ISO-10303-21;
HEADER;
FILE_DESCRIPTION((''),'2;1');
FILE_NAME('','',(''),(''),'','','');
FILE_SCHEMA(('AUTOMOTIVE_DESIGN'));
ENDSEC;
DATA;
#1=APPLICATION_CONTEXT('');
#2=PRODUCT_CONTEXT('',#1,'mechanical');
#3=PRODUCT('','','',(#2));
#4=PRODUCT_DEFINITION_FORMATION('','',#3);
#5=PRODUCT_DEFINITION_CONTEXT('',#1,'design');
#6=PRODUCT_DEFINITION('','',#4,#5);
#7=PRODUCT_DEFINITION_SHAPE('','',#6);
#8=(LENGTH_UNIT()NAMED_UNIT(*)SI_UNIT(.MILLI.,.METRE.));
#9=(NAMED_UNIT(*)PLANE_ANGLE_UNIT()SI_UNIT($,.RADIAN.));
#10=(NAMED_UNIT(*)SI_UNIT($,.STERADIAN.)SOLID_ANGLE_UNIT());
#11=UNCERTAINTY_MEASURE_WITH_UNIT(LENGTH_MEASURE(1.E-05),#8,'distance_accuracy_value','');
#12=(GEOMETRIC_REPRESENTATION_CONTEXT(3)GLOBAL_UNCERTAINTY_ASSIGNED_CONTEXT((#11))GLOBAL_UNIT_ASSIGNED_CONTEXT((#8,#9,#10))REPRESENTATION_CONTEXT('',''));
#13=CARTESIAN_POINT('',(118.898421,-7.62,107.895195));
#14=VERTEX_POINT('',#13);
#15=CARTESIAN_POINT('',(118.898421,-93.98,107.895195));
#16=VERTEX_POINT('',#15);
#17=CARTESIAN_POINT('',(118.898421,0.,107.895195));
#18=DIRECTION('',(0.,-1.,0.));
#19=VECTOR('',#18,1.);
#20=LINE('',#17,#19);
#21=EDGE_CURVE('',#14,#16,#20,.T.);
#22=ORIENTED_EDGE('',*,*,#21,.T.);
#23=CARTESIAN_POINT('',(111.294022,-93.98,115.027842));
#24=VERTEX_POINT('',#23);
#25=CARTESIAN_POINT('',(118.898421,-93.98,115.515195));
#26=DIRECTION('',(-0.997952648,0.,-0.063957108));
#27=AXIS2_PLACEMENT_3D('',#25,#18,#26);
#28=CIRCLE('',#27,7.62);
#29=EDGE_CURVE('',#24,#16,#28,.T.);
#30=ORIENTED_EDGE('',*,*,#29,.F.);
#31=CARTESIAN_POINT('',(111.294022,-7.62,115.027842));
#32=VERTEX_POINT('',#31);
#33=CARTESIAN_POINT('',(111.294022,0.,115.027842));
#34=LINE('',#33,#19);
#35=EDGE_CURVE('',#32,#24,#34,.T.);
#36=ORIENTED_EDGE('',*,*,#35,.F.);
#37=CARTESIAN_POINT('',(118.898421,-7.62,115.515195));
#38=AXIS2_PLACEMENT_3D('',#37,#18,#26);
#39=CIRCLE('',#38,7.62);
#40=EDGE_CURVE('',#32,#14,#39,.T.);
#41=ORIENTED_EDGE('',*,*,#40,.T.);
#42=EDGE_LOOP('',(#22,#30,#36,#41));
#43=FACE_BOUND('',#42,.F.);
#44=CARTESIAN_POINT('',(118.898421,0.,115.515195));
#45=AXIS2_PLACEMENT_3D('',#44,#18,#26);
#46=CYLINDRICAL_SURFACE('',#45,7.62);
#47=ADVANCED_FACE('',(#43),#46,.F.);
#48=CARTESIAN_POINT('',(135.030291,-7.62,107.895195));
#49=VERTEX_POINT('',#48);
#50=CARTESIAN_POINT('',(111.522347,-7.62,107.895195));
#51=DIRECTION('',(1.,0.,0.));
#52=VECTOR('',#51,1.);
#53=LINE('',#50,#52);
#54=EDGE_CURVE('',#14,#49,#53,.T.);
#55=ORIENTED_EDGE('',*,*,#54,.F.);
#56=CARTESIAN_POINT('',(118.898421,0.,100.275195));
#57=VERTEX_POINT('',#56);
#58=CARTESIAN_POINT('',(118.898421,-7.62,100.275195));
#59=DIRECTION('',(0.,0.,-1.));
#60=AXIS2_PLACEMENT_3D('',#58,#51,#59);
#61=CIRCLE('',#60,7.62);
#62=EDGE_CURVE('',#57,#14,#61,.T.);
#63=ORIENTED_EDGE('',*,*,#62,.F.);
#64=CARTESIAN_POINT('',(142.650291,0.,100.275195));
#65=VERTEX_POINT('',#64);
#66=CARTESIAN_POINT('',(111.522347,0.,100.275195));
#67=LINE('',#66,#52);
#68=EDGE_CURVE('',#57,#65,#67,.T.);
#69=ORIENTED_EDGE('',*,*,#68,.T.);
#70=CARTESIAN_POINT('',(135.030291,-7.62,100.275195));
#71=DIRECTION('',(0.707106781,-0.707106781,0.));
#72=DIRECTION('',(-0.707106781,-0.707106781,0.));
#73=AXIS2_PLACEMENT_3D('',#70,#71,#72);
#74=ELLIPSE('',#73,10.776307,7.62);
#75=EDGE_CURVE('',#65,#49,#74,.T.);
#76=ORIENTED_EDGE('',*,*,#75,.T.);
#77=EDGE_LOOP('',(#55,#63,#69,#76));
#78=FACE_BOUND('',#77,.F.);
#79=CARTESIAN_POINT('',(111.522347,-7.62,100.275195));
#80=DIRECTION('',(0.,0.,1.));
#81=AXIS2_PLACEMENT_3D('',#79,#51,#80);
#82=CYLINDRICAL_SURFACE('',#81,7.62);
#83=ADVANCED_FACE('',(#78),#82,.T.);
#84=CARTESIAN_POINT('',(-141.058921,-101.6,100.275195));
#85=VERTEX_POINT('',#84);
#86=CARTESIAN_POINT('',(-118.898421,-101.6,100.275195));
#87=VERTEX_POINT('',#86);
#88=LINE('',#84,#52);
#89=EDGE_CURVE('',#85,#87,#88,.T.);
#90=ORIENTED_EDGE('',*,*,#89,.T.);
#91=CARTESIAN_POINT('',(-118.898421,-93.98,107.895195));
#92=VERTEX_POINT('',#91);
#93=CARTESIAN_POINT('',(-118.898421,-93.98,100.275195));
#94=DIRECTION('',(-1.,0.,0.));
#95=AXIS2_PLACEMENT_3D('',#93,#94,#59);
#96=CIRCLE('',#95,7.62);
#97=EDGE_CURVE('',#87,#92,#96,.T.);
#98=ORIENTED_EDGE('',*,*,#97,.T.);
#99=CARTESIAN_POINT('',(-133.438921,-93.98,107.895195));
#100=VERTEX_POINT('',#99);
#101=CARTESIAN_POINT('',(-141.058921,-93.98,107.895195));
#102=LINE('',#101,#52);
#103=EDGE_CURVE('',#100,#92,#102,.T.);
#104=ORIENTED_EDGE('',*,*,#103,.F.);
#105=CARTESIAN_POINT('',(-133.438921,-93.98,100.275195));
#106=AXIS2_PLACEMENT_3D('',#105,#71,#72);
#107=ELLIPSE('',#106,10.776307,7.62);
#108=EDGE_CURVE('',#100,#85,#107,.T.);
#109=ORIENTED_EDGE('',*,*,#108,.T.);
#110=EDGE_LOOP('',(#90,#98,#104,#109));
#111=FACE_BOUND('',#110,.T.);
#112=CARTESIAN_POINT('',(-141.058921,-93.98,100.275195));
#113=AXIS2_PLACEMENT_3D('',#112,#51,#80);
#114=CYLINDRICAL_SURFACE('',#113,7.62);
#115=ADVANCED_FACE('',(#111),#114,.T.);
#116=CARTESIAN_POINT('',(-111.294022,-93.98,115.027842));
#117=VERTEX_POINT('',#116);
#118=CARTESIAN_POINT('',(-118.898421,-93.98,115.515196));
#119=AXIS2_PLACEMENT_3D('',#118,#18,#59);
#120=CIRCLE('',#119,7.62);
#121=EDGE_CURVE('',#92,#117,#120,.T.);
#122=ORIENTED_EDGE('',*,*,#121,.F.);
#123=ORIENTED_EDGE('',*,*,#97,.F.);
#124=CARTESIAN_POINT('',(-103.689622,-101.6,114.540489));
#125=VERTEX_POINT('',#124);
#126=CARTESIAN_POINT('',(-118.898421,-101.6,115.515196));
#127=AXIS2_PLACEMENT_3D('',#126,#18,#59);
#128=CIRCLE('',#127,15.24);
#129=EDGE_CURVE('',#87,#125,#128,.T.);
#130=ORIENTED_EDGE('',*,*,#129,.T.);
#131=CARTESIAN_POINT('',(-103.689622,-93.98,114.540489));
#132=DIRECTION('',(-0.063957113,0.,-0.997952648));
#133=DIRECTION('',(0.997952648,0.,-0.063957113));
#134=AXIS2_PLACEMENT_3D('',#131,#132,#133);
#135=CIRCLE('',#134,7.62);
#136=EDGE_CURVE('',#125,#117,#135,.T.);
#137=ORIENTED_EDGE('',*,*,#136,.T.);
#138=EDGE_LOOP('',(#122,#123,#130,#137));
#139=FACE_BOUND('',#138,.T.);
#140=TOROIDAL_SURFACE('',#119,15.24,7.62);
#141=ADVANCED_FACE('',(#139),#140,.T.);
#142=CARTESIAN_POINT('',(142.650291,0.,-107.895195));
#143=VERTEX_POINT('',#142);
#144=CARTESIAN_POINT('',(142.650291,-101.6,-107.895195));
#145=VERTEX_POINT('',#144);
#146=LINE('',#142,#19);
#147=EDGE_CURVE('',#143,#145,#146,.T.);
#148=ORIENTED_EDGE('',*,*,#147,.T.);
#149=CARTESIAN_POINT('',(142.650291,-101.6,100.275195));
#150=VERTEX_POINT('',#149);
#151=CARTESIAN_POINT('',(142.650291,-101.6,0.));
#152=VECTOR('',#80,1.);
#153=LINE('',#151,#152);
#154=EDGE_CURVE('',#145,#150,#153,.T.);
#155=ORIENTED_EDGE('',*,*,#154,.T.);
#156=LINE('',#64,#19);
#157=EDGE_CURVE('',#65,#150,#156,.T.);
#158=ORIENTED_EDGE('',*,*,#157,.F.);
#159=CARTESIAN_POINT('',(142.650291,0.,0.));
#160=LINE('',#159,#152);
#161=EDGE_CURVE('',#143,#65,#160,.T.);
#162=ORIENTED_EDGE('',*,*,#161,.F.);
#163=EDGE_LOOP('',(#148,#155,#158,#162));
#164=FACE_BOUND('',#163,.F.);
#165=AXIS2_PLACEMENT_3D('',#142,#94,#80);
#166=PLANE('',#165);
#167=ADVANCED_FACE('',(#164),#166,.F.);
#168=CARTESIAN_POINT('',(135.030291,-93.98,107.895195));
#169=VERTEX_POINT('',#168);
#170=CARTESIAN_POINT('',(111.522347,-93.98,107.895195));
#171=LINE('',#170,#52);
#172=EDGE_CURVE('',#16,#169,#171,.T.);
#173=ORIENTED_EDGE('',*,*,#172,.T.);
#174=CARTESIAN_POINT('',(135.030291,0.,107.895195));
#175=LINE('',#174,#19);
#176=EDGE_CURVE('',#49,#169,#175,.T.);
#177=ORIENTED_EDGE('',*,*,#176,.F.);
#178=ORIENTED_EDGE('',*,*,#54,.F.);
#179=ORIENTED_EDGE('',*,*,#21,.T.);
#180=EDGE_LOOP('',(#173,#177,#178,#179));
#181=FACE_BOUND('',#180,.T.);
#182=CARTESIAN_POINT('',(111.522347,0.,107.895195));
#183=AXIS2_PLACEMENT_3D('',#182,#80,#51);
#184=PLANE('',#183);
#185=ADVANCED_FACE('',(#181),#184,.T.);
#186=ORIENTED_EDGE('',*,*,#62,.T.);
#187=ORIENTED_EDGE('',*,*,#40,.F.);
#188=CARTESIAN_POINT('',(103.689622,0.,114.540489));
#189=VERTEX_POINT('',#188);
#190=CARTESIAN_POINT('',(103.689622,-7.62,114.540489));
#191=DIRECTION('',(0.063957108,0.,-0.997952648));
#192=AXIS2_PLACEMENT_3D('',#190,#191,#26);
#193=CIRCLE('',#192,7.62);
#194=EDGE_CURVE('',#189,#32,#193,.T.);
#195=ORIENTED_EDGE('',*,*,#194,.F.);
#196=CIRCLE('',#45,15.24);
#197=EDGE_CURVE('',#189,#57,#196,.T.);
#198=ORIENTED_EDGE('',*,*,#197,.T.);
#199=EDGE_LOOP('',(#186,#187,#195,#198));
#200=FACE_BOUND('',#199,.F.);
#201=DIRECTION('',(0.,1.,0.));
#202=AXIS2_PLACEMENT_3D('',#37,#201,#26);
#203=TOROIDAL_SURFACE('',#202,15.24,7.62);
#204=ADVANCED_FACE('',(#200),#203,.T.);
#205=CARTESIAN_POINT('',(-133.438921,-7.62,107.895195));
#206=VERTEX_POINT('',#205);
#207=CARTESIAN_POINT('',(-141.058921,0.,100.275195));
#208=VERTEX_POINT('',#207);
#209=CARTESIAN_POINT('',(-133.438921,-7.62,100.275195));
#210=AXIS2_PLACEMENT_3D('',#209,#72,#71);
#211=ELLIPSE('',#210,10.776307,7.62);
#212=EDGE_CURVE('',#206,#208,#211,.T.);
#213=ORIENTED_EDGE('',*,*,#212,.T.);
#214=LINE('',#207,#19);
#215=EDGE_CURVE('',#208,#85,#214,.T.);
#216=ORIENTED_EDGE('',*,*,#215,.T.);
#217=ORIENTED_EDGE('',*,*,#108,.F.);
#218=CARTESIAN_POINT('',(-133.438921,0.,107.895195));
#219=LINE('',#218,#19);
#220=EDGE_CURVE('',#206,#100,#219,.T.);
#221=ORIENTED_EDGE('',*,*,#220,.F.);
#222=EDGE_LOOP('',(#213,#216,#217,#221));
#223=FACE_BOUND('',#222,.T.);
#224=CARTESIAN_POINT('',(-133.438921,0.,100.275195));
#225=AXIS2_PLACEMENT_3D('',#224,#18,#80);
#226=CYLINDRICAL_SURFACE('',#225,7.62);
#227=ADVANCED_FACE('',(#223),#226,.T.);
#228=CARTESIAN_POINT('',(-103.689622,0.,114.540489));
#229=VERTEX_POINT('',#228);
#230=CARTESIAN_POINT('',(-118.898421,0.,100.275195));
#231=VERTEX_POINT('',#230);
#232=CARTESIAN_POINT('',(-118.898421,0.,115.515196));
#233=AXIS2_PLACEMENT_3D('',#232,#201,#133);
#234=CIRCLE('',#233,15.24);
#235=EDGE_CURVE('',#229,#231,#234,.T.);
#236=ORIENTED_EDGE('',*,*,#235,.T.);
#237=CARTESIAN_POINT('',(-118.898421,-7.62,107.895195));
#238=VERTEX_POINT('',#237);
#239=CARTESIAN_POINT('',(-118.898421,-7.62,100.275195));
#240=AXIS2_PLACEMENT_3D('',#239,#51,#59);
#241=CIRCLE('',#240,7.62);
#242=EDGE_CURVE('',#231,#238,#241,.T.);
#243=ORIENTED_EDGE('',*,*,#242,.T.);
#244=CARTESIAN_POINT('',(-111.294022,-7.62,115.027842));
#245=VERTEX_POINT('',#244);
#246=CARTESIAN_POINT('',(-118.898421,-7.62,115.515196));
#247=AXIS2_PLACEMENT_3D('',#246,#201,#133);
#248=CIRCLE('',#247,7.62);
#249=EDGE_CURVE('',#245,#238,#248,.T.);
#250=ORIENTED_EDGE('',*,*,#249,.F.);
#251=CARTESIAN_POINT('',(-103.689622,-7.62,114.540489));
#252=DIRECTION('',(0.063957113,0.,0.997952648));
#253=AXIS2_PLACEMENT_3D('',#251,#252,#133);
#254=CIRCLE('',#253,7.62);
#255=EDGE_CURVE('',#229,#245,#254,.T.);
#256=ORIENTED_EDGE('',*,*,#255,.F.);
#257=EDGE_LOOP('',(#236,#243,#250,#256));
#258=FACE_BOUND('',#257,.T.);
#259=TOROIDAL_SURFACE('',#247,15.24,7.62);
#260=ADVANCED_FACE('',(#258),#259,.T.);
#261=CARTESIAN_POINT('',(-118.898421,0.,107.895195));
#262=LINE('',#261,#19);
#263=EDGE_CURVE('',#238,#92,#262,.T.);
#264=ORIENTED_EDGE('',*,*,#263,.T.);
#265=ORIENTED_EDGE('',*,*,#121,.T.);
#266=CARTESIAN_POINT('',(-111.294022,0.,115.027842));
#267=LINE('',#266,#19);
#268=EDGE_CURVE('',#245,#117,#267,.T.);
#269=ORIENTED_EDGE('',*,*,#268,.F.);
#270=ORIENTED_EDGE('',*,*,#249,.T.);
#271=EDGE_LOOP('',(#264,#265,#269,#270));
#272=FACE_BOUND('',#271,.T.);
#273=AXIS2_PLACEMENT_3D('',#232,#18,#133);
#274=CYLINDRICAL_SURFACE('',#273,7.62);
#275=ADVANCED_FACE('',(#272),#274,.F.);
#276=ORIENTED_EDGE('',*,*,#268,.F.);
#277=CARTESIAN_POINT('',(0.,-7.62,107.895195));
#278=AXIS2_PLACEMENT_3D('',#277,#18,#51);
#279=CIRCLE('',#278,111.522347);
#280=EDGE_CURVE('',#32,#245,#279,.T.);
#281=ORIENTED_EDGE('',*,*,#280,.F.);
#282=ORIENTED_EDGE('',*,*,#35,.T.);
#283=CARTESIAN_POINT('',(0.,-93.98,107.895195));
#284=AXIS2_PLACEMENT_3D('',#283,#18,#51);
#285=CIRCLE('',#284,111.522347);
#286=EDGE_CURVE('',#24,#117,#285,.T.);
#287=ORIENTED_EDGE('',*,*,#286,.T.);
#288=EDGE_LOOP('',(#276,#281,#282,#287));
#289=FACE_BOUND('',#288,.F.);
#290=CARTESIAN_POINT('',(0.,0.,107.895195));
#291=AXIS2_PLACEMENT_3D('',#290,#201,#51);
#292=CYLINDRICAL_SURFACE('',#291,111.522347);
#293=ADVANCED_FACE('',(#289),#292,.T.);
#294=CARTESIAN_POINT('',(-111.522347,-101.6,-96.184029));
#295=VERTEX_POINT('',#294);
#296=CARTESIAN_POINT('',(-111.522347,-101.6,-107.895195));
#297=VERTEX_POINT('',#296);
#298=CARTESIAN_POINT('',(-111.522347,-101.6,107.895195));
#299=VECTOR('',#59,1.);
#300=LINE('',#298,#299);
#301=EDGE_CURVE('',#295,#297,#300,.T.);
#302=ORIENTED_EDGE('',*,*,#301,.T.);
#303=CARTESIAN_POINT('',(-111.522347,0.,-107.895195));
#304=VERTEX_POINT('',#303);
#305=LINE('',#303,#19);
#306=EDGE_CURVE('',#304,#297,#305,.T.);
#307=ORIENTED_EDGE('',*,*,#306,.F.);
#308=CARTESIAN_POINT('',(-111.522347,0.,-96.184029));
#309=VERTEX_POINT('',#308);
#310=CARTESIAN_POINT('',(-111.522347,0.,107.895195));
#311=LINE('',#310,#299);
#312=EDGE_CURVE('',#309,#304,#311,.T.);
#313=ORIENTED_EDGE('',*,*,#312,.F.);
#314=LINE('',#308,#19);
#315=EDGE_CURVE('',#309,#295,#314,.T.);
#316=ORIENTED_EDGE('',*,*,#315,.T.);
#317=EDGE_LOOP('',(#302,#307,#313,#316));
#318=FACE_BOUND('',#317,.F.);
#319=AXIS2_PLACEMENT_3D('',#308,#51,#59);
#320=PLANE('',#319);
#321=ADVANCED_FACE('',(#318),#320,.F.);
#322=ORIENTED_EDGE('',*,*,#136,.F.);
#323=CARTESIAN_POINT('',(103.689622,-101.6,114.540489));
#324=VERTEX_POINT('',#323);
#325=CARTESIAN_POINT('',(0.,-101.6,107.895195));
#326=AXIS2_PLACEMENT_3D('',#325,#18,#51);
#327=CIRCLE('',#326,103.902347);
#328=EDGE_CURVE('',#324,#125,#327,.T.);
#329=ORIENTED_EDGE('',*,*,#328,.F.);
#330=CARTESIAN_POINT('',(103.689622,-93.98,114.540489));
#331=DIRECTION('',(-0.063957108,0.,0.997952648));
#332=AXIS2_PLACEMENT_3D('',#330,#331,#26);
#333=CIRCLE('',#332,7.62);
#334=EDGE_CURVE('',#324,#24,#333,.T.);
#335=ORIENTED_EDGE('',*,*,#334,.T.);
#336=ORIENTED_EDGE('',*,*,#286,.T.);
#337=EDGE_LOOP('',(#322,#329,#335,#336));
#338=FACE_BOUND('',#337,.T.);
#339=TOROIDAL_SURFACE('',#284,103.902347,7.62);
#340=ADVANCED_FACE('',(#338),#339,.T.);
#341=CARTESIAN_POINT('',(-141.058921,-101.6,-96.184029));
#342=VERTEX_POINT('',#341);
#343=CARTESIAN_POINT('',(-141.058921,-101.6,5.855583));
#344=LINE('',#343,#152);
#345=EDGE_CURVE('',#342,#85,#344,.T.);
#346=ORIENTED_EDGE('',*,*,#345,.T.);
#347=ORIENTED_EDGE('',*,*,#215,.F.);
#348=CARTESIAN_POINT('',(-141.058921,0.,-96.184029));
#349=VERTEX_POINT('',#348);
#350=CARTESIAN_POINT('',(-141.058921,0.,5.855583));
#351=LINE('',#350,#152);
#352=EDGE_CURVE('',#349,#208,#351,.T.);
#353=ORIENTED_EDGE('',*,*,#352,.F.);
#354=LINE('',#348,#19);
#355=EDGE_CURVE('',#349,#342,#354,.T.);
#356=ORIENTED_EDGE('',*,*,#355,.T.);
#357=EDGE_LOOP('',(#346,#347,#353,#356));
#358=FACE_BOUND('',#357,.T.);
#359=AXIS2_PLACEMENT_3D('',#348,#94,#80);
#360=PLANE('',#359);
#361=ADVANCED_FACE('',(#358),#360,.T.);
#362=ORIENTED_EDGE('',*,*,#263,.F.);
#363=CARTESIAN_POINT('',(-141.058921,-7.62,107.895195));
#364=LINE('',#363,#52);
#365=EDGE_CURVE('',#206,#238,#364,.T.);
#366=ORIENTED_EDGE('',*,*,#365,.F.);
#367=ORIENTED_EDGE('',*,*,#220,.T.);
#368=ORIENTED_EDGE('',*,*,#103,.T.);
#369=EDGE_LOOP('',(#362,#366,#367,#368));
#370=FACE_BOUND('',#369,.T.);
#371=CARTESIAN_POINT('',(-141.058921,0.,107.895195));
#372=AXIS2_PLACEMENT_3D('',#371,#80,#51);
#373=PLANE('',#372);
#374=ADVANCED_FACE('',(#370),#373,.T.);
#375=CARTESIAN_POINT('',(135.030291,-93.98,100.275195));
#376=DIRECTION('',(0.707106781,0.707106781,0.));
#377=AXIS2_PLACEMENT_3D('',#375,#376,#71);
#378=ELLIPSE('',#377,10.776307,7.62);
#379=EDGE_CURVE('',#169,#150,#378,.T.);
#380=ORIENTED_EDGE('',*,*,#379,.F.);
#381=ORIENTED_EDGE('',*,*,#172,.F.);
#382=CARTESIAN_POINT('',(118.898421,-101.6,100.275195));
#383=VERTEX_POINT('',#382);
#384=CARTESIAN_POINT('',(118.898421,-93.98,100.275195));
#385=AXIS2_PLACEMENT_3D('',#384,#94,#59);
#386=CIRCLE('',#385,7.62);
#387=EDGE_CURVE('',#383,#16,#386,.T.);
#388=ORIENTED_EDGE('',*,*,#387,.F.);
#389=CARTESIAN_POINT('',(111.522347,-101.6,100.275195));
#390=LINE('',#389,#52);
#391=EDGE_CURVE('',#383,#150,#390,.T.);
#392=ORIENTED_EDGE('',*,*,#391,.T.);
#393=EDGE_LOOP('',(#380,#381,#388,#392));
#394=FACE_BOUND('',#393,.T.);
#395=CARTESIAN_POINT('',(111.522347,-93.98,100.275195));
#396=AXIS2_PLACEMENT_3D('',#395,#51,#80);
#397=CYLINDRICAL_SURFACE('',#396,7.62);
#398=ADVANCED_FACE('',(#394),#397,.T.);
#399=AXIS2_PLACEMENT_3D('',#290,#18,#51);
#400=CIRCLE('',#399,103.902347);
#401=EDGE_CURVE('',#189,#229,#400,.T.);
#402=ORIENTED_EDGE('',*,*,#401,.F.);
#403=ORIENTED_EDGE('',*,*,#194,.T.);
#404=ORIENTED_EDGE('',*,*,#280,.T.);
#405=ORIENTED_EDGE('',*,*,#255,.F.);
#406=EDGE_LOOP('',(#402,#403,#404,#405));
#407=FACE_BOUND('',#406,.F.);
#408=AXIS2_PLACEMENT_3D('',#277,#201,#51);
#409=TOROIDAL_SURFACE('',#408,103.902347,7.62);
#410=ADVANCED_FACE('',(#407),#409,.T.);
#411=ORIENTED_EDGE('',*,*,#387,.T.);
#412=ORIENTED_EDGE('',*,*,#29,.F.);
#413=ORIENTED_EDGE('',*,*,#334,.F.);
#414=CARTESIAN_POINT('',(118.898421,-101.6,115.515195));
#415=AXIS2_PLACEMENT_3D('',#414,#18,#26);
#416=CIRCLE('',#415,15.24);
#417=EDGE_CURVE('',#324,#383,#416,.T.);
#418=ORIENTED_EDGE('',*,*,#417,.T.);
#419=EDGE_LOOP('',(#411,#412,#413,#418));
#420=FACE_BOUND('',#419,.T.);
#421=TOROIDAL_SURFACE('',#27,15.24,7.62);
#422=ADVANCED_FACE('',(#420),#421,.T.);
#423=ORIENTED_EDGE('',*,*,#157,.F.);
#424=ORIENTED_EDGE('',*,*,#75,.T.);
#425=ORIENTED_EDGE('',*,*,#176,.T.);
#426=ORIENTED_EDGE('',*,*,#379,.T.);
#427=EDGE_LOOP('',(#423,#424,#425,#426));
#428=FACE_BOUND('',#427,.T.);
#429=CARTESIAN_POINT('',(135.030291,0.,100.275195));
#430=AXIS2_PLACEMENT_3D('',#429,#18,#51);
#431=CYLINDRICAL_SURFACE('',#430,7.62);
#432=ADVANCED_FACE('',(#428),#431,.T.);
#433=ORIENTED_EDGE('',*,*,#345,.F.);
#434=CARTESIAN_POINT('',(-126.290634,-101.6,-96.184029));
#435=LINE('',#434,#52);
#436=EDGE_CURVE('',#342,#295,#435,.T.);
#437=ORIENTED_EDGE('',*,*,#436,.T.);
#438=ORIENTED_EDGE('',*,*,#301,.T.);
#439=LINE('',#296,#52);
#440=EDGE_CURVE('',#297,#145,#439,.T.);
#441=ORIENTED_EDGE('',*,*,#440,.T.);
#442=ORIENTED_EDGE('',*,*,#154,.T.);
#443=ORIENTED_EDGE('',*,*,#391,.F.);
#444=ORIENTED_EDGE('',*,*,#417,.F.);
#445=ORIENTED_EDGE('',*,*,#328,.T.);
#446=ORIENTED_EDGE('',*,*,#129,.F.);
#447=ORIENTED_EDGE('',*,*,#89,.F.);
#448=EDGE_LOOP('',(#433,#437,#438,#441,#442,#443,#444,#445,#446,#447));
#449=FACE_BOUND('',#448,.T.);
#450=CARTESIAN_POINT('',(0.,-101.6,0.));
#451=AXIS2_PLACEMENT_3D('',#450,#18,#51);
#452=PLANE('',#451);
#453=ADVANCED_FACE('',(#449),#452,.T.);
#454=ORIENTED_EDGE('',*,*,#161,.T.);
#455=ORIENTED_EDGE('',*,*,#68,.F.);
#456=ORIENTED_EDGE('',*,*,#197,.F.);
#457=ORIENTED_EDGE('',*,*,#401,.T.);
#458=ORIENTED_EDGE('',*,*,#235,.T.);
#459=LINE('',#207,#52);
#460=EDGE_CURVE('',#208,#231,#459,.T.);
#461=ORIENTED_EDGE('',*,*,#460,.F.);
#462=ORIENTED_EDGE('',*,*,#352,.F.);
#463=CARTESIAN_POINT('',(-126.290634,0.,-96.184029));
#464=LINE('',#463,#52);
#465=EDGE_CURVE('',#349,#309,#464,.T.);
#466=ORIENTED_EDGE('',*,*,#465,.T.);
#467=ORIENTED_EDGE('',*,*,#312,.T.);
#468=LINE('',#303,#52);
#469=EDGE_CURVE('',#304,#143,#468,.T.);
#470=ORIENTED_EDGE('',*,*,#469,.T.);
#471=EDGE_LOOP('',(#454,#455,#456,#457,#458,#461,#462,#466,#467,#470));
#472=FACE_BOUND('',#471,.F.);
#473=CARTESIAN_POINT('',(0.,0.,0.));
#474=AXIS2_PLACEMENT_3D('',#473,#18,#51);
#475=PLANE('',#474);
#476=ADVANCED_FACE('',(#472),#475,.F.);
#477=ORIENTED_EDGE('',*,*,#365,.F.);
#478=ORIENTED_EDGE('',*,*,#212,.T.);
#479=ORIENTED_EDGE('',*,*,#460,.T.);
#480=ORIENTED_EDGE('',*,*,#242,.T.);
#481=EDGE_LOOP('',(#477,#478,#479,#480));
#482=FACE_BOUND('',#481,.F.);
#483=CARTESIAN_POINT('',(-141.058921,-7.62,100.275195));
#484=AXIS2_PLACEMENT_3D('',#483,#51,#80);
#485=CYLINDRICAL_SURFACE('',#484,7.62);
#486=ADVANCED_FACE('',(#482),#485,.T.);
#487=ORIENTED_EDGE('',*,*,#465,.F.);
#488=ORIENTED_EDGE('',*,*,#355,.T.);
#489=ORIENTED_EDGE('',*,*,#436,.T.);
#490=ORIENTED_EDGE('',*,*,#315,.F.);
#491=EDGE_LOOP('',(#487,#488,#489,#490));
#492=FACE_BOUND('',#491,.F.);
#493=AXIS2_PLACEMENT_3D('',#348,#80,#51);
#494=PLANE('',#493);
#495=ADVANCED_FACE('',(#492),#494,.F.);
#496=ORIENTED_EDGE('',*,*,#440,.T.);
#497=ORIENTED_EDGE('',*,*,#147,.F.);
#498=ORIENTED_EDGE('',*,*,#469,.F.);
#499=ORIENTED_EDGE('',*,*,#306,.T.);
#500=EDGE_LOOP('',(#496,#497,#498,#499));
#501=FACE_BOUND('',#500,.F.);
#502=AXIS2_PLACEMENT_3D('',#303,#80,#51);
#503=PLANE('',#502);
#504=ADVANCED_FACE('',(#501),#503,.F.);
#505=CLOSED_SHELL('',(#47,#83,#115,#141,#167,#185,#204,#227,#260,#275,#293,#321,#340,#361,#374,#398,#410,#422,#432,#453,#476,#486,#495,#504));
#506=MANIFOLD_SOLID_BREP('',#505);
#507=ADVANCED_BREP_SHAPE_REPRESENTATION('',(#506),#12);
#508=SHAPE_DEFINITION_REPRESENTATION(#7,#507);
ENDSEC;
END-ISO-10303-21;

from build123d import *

# Parameters (mm, degrees)
F0_W     = 29.536575
F0_H     = 204.079225
F0_W_2   = 31.127944
F0_H_2   = 215.79039
F1_DEPTH = 101.6
F2_R     = 7.62


with BuildPart() as f1:
    # F0 (on Front) → F1 (new body)
    with BuildSketch(Plane.XZ):
        Polygon((111.522347, 107.895195), (-111.522347, 107.895195), (-111.522347, -96.18403), (-111.522347, -107.895195), (111.522347, -107.895195), align=None)
        with BuildLine():
            ThreePointArc((111.522347, 107.895195), (0, 219.417542), (-111.522347, 107.895195))
            Line((-111.522347, 107.895195), (111.522347, 107.895195))
        make_face()
        with Locations((-126.290634, 5.855583)):
            Rectangle(F0_W, F0_H)
        with Locations((127.086319, 0)):
            Rectangle(F0_W_2, F0_H_2)
    extrude(amount=F1_DEPTH)

    # F2
    f2_edges = [f1.edges().sort_by_distance(p)[0] for p in [
        (-141.058922, -50.8, 107.895195),
        (-126.290634, 0, 107.895195),
        (-126.290634, -101.6, 107.895195),
        (0, -101.6, 219.417542),
        (127.086319, -101.6, 107.895195),
        (142.650291, -50.8, 107.895195),
        (111.522347, -50.8, 107.895195),
        (-111.522347, -50.8, 107.895195),
        (0, 0, 219.417542),
        (127.086319, 0, 107.895195),
    ]]
    fillet(f2_edges, radius=F2_R)


solid = f1.part
